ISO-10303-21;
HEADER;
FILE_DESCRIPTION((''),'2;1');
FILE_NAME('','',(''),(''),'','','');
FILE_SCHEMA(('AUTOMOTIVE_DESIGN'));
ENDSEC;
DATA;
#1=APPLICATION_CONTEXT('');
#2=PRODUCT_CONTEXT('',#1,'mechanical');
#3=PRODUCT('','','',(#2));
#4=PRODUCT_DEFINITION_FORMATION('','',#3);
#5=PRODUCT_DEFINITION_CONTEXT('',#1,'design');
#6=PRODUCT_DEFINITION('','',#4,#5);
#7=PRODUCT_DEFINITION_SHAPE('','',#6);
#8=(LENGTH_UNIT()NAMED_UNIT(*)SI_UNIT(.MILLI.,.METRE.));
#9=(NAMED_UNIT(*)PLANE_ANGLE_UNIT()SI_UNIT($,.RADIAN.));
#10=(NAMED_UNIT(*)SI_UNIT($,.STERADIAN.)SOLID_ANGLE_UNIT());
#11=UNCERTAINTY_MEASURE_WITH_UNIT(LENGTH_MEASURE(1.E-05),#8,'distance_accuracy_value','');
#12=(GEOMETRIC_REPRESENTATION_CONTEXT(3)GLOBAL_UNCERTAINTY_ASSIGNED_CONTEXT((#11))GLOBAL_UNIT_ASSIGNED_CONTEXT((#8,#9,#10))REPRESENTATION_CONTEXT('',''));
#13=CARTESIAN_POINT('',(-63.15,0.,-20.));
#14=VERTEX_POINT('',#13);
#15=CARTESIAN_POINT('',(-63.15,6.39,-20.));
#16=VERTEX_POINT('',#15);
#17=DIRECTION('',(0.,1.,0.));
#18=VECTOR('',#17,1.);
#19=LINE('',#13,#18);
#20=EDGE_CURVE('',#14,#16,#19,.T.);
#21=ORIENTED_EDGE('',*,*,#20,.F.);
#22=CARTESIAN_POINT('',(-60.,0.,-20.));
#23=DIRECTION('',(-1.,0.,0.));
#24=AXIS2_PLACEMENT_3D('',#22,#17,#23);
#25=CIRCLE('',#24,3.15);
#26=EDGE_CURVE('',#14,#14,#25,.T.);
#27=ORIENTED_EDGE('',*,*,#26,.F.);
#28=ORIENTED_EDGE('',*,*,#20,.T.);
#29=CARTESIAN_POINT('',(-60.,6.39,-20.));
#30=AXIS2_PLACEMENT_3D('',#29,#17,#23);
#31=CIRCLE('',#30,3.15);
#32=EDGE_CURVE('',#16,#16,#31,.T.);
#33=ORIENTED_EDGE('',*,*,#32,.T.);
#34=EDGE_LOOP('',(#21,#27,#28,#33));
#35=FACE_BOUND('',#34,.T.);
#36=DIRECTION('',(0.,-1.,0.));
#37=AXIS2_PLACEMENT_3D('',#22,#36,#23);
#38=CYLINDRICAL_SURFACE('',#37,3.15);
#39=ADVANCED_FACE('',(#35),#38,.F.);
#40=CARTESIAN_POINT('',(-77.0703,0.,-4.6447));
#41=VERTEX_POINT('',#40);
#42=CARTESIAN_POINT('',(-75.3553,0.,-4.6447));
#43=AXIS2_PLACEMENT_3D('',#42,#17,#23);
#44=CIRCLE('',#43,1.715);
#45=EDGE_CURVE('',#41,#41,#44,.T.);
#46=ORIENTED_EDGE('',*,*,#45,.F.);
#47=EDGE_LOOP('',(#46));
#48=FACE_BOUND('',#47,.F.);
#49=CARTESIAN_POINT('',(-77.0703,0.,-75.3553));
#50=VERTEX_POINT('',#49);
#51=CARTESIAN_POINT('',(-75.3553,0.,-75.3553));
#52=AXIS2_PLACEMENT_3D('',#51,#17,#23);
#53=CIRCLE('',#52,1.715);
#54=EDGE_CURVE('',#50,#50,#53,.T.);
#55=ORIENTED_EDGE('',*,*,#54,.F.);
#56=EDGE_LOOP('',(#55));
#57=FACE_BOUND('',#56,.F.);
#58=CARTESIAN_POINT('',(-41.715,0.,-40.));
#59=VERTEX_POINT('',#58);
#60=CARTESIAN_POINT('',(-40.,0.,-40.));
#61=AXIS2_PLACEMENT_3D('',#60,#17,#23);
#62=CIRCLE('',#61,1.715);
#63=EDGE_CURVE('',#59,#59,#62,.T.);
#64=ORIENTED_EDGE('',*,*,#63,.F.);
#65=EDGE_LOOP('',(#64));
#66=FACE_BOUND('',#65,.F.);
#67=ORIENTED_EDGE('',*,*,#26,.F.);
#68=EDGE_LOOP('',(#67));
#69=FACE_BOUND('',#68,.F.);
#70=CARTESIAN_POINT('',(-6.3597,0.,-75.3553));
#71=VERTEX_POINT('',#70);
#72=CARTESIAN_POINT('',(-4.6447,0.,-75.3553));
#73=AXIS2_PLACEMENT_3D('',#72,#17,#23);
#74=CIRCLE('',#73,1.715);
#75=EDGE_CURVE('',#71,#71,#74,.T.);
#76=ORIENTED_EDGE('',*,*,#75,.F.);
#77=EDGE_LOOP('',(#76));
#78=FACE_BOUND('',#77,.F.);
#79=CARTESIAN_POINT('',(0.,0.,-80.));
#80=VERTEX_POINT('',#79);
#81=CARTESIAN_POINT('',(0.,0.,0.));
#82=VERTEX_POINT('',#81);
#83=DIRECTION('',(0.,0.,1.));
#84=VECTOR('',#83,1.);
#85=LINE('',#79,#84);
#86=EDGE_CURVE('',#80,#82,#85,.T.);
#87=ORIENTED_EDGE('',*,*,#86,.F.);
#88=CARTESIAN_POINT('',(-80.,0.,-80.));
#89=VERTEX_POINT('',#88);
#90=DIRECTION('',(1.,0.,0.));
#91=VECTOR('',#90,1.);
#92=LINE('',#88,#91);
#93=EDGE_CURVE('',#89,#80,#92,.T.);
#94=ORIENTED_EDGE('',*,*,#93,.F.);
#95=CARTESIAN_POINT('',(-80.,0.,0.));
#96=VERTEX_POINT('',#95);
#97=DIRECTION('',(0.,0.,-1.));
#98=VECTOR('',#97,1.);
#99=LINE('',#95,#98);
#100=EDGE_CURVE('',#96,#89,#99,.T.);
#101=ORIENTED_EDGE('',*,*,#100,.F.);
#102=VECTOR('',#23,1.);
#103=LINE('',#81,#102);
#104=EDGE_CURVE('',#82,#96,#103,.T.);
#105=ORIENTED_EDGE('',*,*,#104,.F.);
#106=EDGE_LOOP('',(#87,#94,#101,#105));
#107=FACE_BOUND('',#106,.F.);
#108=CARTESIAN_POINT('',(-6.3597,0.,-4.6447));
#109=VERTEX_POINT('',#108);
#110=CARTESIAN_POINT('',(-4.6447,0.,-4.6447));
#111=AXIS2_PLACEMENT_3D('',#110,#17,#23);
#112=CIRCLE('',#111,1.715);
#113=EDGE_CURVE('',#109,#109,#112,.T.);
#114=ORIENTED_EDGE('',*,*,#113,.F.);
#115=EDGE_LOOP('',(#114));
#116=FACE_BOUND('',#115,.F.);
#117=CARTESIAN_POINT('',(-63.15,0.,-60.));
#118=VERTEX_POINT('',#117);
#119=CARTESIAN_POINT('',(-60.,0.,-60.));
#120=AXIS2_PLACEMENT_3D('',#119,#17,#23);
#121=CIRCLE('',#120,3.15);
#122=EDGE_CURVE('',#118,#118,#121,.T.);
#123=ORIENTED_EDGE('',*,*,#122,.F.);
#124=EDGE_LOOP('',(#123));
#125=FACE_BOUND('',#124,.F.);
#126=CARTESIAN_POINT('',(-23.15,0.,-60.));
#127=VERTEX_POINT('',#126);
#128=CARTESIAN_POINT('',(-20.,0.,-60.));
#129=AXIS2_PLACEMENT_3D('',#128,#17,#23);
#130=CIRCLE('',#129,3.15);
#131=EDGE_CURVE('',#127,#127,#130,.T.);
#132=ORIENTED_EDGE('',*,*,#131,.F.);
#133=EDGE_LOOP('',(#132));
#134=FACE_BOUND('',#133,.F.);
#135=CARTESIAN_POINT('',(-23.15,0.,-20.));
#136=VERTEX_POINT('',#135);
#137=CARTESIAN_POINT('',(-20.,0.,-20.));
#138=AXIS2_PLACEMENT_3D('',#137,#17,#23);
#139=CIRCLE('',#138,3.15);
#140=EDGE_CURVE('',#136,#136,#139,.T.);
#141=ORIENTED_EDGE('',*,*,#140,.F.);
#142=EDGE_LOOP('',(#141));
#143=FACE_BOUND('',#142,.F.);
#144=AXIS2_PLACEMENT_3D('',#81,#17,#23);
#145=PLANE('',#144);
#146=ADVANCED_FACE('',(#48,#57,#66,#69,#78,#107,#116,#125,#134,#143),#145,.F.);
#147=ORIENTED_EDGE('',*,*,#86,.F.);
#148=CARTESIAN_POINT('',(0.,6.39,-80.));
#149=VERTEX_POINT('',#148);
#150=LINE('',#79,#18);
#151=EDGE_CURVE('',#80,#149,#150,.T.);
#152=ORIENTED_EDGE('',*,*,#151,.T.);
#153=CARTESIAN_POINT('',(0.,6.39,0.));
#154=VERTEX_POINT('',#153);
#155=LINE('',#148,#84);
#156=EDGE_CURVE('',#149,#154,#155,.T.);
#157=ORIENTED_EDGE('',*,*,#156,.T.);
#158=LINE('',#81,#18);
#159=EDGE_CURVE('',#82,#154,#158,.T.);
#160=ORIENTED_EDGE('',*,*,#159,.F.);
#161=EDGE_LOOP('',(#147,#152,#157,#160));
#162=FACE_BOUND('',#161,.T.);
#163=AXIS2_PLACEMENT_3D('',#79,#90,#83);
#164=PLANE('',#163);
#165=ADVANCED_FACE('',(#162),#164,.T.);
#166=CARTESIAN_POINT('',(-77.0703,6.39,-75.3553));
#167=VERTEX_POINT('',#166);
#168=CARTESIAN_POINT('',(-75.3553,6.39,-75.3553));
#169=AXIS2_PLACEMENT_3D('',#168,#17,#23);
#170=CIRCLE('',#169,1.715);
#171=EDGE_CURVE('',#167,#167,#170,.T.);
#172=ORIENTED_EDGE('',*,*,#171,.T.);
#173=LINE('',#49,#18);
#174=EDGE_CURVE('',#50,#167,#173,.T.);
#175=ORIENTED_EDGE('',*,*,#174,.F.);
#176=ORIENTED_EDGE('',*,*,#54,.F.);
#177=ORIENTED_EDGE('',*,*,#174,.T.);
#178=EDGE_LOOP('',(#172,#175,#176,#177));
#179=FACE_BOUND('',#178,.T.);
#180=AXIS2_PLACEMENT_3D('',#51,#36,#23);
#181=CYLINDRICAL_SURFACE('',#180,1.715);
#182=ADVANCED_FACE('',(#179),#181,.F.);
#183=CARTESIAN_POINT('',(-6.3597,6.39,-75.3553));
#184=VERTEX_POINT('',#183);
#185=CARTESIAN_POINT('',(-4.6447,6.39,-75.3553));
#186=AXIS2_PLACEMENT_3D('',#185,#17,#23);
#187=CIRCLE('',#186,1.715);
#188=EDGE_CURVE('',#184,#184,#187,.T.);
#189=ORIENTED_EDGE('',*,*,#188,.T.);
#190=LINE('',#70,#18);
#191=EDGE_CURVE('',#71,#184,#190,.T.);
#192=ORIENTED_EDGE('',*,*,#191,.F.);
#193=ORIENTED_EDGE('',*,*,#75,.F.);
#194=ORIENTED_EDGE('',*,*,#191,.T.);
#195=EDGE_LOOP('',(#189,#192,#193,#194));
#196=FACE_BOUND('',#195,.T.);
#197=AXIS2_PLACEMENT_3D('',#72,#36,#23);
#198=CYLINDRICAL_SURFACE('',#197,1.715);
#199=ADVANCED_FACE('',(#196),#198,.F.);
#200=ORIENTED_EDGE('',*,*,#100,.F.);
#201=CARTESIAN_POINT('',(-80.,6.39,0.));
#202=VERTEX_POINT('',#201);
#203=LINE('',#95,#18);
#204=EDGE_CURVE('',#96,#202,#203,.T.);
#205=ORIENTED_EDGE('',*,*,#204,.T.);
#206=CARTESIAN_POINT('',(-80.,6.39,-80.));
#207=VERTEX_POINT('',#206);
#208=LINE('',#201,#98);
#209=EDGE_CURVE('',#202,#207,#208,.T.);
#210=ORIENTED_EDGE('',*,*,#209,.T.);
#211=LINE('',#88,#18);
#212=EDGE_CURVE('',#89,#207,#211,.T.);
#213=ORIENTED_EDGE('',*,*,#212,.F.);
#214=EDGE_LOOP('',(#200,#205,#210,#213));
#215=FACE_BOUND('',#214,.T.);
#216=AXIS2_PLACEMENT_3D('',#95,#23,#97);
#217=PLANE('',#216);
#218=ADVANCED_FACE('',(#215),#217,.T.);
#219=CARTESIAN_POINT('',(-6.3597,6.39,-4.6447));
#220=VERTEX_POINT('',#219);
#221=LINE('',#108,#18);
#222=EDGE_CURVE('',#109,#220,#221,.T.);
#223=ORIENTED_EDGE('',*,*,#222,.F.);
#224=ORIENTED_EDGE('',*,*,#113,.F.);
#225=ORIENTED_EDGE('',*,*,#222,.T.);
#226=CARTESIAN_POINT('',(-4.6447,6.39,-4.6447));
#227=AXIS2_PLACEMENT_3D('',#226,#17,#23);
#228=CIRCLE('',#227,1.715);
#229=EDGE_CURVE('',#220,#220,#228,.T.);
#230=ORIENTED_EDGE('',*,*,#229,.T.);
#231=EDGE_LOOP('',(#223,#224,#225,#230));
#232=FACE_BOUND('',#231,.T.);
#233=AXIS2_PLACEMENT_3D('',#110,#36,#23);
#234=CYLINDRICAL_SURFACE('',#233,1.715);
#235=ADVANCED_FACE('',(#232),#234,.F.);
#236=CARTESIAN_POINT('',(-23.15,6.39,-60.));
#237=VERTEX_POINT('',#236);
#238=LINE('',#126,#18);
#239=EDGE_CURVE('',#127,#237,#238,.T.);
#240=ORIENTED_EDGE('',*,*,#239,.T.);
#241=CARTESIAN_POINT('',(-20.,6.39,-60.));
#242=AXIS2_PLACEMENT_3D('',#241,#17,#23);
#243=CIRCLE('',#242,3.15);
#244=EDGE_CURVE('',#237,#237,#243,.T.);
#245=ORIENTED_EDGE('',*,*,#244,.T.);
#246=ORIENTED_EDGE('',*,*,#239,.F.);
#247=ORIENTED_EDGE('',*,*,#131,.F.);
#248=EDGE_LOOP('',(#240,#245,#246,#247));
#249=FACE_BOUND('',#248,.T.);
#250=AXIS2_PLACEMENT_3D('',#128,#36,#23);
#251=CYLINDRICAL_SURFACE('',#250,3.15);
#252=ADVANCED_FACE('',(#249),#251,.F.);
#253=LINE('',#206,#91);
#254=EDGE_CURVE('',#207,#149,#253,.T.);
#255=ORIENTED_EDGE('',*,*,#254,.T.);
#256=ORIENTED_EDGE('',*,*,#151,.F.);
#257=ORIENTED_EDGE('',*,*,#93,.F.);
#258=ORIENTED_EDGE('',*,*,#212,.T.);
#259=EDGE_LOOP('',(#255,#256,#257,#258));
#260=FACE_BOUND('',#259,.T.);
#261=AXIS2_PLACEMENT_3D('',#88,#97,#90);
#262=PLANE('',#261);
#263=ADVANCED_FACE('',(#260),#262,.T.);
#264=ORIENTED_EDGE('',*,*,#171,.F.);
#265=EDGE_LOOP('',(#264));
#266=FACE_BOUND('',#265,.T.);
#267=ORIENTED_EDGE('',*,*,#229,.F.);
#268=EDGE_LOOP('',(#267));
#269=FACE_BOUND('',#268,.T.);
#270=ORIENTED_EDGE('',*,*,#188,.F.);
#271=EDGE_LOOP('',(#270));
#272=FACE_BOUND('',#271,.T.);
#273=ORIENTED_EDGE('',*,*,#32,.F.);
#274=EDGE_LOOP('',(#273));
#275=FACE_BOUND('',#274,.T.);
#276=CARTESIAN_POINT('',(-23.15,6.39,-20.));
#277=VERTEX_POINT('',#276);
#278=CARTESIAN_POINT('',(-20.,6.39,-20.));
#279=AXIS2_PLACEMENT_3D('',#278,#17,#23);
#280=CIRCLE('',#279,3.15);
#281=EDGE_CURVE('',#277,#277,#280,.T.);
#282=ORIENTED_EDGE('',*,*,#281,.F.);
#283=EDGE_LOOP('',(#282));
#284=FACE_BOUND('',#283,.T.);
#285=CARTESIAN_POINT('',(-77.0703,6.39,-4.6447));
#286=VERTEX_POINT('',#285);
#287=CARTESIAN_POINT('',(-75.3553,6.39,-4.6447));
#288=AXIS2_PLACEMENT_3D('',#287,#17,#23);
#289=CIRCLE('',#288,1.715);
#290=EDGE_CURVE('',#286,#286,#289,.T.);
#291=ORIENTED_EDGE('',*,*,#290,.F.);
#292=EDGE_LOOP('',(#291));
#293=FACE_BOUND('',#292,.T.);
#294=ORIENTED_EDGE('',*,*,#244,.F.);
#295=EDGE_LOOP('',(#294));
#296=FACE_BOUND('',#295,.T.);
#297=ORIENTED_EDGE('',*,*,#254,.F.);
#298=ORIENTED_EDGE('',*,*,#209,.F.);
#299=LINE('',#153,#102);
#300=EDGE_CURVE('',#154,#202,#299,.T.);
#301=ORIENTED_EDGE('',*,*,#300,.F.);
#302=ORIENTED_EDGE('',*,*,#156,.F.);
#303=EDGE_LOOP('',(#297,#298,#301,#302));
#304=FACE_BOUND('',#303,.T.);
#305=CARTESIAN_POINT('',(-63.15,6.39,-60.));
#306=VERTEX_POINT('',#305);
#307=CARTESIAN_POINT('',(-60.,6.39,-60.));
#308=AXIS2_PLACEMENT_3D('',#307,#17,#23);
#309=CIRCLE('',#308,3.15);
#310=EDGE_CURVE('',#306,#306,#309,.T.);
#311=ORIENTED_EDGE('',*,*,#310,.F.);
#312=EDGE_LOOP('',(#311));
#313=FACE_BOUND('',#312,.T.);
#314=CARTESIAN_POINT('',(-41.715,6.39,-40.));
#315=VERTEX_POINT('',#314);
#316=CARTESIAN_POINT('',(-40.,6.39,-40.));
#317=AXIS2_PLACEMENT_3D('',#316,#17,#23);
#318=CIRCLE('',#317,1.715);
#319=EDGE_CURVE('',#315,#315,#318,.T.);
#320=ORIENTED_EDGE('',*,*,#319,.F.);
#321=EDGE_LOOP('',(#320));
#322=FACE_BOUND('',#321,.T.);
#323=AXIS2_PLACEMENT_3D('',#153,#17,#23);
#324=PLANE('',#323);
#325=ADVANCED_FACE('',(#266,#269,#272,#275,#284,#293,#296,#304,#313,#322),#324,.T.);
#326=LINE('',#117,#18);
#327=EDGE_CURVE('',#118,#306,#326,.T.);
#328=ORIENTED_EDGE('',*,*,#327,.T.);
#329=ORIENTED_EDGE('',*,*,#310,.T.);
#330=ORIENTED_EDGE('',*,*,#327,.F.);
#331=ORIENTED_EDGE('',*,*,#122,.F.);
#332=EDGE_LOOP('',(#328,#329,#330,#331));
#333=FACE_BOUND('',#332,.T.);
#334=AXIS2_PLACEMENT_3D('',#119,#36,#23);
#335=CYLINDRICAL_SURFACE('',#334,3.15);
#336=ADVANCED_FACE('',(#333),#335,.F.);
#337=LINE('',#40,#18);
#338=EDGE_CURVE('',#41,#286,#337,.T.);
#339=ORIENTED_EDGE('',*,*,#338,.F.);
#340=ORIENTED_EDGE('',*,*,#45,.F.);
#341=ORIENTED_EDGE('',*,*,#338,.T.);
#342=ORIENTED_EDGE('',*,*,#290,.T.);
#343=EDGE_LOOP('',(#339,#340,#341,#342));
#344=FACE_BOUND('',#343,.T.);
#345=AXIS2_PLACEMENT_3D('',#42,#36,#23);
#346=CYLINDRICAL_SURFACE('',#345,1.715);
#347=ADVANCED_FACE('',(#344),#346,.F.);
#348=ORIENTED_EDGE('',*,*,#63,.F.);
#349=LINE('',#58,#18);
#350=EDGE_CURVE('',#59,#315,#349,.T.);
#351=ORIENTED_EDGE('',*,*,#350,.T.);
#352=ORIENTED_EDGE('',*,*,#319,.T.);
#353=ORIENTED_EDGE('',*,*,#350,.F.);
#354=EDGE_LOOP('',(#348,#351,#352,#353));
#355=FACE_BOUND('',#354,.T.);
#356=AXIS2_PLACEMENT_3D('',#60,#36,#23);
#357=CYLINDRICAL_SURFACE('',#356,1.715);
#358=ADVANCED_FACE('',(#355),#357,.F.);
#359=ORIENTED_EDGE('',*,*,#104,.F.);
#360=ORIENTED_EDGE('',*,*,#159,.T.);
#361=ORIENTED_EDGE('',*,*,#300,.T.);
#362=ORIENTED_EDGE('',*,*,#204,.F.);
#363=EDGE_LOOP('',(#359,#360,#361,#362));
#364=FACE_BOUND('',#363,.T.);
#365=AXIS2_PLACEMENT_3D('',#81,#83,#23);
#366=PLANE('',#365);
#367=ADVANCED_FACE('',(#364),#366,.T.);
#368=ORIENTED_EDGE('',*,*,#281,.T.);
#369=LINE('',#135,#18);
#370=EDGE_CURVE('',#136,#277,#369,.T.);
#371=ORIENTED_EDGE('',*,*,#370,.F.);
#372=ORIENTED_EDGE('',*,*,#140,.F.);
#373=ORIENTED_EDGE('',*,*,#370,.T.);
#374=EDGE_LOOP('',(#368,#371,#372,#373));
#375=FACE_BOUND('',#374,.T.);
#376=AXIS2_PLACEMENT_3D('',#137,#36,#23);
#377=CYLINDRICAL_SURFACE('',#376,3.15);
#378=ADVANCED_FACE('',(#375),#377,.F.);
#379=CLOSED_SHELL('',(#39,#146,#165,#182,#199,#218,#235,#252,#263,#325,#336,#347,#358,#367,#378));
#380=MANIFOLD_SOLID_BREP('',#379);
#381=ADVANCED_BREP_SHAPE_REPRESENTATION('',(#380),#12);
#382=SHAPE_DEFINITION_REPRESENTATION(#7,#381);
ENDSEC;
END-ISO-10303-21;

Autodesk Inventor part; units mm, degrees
ref_plane "YZ Plane" through (0, 0, 0) normal (1, 0, 0) x (0, 1, 0)
ref_plane "XZ Plane" through (0, 0, 0) normal (0, 1, 0) x (-1, 0, 0)
ref_plane "XY Plane" through (0, 0, 0) normal (0, 0, 1) x (1, 0, 0)
sketch "Sketch1" plane through (0, 0, 0) normal (0, 1, 0) x (-1, 0, 0)
  circle A0 centre (20, -20) radius 18.1118 construction
  line L0 (0, 0) -> (80, 0)
  line L1 (80, 0) -> (80, -80)
  line L2 (80, -80) -> (0, -80)
  line L3 (0, -80) -> (0, 0)
  line L4 (40, 0) -> (40, -40) construction
  line L5 (40, -40) -> (80, -40) construction
  line L6 (40, -40) -> (40, -80) construction
  line L7 (40, -40) -> (0, -40) construction
  circle A1 centre (40, -40) radius 1.715
  line L8 (40, -40) -> (0, 0) construction
  circle A2 centre (4.6447, -4.6447) radius 1.715
  circle A3 centre (75.3553, -4.6447) radius 1.715
  circle A4 centre (4.6447, -75.3553) radius 1.715
  circle A5 centre (75.3553, -75.3553) radius 1.715
  circle A6 centre (20, -20) radius 3.15
  circle A7 centre (60, -20) radius 3.15
  circle A8 centre (20, -60) radius 3.15
  circle A9 centre (60, -60) radius 3.15
  point P0 (40, -20)
  point P1 (20, -40)
  dimension "d0" = 36.2235
  dimension "d1" = 80
  dimension "d2" = 80
  dimension "d13" = 3.43
  dimension "d14" = 3.43
  dimension "d15" = 50
  dimension "d16" = 6.3
extrude "Extrusion3" add sketch "Sketch1" along normal blind 6.39
equation "\"d0\" = SiliconeRingDiameter"
equation "\"d1\" = VccumCoverSize"
equation "\"d2\" = VccumCoverSize"
equation "\"d13\" = HoldScrewDiameter"
equation "\"d14\" = HoldScrewDiameter"
equation "\"d16\" = DowlDiameter"
equation "\"d17\" = WoodThickness"
equation "\"BearingHolderHeight\" = 13.1"
equation "\"SiliconeRingDiameter\" = 0.75 * CouplingDiameter + 1.5 * BearingHolderHeight"
equation "\"DowlDiameter\" = 6.3"
equation "\"HoldScrewDiameter\" = 3.43"
equation "\"VccumCoverSize\" = 80"
equation "\"WoodThickness\" = 6.39"
equation "\"CouplingDiameter\" = 22.098"
properties part number "MotorSiliconeMold_1" material "MDF Medium Density Fiberboard"
